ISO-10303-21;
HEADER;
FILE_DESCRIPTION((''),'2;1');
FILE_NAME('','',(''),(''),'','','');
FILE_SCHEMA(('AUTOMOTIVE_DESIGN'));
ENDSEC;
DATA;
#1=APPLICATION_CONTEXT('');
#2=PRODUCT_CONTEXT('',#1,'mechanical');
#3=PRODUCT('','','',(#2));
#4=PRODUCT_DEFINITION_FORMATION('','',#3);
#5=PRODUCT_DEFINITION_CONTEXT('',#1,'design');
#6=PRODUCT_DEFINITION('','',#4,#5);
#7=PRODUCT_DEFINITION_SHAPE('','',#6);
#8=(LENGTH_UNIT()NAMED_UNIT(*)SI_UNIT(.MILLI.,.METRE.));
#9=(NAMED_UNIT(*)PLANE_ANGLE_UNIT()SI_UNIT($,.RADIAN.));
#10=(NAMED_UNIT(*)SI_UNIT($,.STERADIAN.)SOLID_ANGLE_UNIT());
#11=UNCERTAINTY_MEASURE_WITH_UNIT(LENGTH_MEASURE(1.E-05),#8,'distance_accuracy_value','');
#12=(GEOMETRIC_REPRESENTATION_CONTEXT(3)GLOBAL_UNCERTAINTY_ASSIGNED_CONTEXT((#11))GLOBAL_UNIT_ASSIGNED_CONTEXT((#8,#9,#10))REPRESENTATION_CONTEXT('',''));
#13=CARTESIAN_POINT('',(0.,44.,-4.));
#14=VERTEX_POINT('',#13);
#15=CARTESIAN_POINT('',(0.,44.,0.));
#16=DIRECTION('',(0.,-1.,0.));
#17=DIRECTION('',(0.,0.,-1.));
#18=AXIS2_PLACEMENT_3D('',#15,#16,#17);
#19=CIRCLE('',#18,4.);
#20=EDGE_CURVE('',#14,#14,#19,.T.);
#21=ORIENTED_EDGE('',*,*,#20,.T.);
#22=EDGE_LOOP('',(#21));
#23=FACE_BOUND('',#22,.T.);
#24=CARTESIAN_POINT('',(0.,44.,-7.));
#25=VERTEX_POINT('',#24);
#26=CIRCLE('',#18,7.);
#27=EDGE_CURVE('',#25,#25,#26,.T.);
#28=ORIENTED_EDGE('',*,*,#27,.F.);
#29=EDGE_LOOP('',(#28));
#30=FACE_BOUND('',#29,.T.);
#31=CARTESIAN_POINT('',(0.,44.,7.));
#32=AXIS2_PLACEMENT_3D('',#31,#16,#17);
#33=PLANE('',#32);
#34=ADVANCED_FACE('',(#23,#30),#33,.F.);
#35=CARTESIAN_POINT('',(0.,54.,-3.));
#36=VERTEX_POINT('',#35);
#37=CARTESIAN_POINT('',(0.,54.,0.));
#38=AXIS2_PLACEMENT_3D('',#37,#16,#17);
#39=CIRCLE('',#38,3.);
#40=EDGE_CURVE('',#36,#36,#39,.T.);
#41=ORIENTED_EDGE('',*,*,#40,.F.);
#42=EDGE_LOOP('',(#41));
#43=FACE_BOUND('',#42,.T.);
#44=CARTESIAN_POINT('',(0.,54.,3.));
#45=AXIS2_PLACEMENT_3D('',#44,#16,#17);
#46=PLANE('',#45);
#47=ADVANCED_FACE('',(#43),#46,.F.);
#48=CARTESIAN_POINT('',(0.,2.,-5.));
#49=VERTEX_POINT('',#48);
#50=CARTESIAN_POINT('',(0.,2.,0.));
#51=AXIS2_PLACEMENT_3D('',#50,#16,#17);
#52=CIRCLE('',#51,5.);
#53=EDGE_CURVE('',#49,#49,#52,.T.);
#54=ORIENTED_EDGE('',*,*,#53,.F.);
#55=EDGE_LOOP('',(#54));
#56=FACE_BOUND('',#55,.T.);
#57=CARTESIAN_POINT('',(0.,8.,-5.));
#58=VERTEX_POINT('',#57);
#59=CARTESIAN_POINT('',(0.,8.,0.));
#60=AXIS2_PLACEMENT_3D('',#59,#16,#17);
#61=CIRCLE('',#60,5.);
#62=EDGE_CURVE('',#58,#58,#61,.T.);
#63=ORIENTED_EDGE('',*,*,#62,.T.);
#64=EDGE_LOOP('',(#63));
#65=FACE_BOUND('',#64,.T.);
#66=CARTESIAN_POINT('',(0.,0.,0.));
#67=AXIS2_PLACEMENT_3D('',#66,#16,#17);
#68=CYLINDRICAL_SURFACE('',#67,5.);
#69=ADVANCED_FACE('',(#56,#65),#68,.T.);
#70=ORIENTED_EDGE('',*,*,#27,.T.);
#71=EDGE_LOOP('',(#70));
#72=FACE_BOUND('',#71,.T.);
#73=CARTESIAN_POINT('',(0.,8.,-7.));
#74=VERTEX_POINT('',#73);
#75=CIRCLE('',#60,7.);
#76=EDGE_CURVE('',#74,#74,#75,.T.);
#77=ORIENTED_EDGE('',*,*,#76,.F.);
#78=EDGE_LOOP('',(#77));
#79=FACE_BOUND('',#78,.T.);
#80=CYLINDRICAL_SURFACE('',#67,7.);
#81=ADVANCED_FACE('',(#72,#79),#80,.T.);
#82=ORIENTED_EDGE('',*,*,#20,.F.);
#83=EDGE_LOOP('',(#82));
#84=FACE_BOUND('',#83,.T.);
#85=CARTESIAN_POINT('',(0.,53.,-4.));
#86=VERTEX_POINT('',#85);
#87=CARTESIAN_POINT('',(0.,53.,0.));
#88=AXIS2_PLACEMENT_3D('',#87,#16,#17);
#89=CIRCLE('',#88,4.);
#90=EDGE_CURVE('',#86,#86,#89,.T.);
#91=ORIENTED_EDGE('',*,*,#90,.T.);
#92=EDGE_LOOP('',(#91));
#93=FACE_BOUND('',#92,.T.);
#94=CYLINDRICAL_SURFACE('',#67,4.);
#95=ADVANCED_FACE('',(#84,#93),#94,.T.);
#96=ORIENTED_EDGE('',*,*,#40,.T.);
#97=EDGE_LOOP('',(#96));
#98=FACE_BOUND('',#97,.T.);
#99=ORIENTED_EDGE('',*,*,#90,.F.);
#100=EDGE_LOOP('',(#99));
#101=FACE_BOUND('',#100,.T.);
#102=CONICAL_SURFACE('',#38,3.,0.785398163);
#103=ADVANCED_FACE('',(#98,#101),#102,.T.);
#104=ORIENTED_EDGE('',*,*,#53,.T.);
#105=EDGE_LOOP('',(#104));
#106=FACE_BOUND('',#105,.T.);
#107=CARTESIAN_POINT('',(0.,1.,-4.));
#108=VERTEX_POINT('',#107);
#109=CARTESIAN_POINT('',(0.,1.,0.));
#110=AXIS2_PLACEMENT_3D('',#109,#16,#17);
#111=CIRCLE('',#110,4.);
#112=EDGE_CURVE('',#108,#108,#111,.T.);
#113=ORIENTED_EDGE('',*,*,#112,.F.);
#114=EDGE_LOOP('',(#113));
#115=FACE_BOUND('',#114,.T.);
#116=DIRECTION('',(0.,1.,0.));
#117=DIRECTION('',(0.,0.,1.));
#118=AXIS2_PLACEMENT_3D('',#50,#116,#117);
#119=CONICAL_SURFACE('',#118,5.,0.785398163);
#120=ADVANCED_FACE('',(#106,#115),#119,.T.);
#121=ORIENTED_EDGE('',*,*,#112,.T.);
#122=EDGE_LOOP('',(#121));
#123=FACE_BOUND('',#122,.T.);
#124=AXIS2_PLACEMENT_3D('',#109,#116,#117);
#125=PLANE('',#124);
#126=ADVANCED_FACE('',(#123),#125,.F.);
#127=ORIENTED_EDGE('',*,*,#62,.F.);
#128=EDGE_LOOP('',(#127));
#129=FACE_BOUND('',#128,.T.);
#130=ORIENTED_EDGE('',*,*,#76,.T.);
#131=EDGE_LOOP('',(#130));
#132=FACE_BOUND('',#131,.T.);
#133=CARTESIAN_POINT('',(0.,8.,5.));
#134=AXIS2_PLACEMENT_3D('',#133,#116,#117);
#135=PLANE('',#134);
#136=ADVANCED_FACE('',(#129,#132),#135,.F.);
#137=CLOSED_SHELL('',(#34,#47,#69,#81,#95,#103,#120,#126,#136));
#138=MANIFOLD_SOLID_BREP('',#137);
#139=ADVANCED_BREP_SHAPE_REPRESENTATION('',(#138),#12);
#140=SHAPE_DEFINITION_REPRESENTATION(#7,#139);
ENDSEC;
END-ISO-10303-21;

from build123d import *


with BuildPart() as part:
    # Esquisse2 → Base-Révolution (revolve)
    with BuildSketch(Plane(origin=(0, 0, 0), x_dir=(0, 0, -1), z_dir=(1, 0, 0)), mode=Mode.PRIVATE) as base_r_volution_sk:
        Polygon((0, 1), (-4, 1), (-5, 2), (-5, 8), (-7, 8), (-7, 44), (-4, 44), (-4, 53), (-3, 54), (0, 54), align=None)
    revolve(base_r_volution_sk.sketch.rotate(Axis((0, 0, 0), (0, 1, 0)), 180), axis=Axis((0, 0, 0), (0, 1, 0)))


solid = part.part
